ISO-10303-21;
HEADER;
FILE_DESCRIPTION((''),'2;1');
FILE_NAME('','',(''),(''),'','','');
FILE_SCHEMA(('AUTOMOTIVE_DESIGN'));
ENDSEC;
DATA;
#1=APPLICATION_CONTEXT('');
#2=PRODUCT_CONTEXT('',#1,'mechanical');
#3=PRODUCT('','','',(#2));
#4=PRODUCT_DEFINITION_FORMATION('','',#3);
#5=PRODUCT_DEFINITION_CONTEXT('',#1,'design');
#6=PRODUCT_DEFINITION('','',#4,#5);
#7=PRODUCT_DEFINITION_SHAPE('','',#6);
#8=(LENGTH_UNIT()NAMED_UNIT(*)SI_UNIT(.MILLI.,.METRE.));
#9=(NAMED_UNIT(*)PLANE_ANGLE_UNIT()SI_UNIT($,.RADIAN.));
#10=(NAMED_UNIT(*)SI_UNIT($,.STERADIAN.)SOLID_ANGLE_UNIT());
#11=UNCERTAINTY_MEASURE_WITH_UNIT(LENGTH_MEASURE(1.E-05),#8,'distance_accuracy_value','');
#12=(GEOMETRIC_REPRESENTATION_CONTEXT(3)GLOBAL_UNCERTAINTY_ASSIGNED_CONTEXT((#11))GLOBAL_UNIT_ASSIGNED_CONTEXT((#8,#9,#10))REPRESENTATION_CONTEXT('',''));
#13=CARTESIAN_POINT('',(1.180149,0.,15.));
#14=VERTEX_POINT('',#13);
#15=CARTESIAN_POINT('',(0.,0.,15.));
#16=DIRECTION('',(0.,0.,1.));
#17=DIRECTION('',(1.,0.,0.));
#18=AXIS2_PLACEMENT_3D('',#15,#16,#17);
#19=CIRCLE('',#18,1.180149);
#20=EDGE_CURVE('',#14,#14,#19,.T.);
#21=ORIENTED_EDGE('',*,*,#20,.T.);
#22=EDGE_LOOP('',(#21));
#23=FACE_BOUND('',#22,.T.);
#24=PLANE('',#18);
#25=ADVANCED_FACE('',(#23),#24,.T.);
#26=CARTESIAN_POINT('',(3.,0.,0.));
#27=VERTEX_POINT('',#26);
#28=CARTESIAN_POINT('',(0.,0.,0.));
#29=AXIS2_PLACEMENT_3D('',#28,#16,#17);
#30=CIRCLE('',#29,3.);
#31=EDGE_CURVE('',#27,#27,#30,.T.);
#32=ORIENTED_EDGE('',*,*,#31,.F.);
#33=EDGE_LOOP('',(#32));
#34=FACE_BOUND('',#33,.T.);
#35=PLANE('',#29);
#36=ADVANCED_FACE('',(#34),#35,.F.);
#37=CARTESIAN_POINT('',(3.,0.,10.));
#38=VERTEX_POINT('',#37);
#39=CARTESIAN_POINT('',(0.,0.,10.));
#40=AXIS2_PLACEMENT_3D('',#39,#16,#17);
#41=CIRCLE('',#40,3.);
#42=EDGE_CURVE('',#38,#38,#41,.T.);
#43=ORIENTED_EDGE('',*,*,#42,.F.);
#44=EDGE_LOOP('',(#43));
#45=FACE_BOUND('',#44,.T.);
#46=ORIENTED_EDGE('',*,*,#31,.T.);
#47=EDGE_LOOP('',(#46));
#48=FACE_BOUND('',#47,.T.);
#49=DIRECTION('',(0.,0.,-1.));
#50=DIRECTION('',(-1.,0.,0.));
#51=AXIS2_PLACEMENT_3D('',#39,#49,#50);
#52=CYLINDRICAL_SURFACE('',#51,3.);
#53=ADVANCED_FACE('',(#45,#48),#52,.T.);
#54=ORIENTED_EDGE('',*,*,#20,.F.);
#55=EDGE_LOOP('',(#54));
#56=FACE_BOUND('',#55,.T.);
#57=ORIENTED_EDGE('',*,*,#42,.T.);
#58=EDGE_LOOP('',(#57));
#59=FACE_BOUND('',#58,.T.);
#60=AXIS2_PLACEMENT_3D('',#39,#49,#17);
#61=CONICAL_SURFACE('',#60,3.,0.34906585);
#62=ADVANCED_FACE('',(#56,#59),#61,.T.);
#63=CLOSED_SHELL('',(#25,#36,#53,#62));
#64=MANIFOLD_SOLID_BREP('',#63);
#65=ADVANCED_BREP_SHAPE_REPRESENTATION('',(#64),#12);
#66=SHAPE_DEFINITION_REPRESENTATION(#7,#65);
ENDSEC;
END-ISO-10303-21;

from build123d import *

# Parameters (mm, degrees)
SKETCH1_R           = 3
BOSS_EXTRUDE1_DEPTH = 10
SKETCH2_R           = 3
BOSS_EXTRUDE2_DEPTH = 5
BOSS_EXTRUDE2_TAPER = 20


with BuildPart() as part:
    # Sketch1 → Boss-Extrude1 (new body)
    with BuildSketch(Plane.XY):
        Circle(SKETCH1_R)
    extrude(amount=BOSS_EXTRUDE1_DEPTH)

    # Sketch2 → Boss-Extrude2 (add)
    with BuildSketch(Plane.XY.offset(10)):
        Circle(SKETCH2_R)
    extrude(amount=BOSS_EXTRUDE2_DEPTH, taper=BOSS_EXTRUDE2_TAPER)


solid = part.part
